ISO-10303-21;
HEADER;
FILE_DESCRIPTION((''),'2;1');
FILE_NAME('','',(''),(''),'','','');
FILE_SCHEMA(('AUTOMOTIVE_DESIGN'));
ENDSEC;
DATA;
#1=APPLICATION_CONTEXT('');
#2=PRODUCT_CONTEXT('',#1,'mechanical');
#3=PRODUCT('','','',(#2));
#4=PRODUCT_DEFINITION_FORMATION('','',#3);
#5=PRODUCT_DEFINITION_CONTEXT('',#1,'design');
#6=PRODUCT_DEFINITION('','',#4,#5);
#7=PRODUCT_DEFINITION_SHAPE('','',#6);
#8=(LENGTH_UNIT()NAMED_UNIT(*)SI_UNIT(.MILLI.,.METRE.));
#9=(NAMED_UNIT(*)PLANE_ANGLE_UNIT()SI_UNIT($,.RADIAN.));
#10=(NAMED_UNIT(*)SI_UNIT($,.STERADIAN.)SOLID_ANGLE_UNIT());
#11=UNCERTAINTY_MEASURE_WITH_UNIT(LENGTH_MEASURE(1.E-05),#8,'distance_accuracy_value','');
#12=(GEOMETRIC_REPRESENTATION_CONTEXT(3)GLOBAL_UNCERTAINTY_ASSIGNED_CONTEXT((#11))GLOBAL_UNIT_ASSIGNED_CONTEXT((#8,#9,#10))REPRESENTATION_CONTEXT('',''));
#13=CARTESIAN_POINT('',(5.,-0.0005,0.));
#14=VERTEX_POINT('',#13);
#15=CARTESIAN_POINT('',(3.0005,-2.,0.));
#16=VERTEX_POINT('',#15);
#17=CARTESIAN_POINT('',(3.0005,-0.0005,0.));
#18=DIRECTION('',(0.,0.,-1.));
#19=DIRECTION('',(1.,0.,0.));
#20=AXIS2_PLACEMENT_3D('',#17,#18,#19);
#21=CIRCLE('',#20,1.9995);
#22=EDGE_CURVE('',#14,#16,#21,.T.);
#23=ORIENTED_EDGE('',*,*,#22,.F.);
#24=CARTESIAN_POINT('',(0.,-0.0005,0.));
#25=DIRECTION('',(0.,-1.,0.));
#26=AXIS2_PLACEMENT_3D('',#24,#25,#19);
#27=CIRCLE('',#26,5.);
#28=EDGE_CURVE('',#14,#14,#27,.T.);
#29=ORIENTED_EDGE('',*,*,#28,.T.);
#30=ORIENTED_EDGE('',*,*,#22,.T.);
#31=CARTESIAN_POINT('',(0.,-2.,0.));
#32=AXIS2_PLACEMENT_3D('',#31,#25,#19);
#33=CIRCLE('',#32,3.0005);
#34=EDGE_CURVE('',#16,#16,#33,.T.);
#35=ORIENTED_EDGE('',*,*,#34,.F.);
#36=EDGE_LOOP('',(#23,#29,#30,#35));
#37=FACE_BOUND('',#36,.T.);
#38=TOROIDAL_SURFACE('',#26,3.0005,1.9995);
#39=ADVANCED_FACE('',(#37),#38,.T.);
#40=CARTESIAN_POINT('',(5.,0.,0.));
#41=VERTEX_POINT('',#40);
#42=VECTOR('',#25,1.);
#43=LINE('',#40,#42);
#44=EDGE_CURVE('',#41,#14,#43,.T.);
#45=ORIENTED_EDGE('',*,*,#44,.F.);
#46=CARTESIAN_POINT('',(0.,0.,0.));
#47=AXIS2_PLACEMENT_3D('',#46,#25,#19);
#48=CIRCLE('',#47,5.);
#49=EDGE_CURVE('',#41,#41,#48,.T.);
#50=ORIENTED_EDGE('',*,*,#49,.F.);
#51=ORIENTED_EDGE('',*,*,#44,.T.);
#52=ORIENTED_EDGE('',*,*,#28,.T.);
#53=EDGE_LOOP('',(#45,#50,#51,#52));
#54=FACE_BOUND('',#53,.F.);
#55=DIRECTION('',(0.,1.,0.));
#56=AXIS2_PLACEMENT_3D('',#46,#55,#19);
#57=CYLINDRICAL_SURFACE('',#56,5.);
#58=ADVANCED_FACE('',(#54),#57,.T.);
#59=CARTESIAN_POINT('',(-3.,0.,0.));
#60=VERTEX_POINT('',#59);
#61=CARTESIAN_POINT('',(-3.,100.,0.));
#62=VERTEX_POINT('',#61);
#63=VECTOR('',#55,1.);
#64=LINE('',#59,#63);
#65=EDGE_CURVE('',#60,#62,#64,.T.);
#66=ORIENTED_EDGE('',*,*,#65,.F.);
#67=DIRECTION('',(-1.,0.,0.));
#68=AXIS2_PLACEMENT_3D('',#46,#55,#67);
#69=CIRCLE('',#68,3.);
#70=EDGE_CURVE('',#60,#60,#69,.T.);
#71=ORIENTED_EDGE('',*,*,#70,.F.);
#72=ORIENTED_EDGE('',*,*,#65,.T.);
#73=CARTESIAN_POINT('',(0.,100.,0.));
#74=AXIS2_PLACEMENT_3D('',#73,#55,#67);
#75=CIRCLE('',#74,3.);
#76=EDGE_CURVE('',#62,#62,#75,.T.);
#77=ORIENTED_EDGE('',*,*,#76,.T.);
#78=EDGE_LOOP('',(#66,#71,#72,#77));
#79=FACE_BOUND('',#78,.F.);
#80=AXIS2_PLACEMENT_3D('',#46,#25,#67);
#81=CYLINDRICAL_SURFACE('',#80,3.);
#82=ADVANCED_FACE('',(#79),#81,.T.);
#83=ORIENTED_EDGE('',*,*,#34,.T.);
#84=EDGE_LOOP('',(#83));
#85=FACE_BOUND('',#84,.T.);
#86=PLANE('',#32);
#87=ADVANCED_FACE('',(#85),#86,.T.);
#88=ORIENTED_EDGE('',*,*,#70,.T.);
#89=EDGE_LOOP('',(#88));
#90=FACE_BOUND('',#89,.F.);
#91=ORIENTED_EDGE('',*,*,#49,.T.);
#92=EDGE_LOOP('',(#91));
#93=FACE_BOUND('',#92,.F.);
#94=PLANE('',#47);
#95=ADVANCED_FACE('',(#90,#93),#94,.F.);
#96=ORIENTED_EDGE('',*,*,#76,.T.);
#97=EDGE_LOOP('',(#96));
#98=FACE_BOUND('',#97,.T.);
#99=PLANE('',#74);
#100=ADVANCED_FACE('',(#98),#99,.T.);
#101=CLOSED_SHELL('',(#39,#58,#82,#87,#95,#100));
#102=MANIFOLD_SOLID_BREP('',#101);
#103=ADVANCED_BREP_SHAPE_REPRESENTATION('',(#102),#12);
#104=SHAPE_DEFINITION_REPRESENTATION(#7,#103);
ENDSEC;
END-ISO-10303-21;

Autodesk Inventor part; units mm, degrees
ref_plane "YZ Plane" through (0, 0, 0) normal (1, 0, 0) x (0, 1, 0)
ref_plane "XZ Plane" through (0, 0, 0) normal (0, 1, 0) x (-1, 0, 0)
ref_plane "XY Plane" through (0, 0, 0) normal (0, 0, 1) x (1, 0, 0)
sketch "Esquisse1" plane through (0, 0, 0) normal (0, 1, 0) x (-1, 0, 0)
  circle A0 centre (0, 0) radius 3
  dimension "d0" = 6
extrude "Extrusion1" add sketch "Esquisse1" along normal blind 100
sketch "Esquisse2" plane through (0, 0, 0) normal (0, -1, 0) x (1, 0, 0)
  circle A0 centre (0, 0) radius 3 projected
  circle A1 centre (0, 0) radius 5
  dimension "d3" = 10
extrude "Extrusion2" add sketch "Esquisse2" along normal blind 2 contours A0 | A1
fillet "Congé1" radius 2 1 edges at (-5, -2, 0)
properties part number "vis_6mm_100mm"
